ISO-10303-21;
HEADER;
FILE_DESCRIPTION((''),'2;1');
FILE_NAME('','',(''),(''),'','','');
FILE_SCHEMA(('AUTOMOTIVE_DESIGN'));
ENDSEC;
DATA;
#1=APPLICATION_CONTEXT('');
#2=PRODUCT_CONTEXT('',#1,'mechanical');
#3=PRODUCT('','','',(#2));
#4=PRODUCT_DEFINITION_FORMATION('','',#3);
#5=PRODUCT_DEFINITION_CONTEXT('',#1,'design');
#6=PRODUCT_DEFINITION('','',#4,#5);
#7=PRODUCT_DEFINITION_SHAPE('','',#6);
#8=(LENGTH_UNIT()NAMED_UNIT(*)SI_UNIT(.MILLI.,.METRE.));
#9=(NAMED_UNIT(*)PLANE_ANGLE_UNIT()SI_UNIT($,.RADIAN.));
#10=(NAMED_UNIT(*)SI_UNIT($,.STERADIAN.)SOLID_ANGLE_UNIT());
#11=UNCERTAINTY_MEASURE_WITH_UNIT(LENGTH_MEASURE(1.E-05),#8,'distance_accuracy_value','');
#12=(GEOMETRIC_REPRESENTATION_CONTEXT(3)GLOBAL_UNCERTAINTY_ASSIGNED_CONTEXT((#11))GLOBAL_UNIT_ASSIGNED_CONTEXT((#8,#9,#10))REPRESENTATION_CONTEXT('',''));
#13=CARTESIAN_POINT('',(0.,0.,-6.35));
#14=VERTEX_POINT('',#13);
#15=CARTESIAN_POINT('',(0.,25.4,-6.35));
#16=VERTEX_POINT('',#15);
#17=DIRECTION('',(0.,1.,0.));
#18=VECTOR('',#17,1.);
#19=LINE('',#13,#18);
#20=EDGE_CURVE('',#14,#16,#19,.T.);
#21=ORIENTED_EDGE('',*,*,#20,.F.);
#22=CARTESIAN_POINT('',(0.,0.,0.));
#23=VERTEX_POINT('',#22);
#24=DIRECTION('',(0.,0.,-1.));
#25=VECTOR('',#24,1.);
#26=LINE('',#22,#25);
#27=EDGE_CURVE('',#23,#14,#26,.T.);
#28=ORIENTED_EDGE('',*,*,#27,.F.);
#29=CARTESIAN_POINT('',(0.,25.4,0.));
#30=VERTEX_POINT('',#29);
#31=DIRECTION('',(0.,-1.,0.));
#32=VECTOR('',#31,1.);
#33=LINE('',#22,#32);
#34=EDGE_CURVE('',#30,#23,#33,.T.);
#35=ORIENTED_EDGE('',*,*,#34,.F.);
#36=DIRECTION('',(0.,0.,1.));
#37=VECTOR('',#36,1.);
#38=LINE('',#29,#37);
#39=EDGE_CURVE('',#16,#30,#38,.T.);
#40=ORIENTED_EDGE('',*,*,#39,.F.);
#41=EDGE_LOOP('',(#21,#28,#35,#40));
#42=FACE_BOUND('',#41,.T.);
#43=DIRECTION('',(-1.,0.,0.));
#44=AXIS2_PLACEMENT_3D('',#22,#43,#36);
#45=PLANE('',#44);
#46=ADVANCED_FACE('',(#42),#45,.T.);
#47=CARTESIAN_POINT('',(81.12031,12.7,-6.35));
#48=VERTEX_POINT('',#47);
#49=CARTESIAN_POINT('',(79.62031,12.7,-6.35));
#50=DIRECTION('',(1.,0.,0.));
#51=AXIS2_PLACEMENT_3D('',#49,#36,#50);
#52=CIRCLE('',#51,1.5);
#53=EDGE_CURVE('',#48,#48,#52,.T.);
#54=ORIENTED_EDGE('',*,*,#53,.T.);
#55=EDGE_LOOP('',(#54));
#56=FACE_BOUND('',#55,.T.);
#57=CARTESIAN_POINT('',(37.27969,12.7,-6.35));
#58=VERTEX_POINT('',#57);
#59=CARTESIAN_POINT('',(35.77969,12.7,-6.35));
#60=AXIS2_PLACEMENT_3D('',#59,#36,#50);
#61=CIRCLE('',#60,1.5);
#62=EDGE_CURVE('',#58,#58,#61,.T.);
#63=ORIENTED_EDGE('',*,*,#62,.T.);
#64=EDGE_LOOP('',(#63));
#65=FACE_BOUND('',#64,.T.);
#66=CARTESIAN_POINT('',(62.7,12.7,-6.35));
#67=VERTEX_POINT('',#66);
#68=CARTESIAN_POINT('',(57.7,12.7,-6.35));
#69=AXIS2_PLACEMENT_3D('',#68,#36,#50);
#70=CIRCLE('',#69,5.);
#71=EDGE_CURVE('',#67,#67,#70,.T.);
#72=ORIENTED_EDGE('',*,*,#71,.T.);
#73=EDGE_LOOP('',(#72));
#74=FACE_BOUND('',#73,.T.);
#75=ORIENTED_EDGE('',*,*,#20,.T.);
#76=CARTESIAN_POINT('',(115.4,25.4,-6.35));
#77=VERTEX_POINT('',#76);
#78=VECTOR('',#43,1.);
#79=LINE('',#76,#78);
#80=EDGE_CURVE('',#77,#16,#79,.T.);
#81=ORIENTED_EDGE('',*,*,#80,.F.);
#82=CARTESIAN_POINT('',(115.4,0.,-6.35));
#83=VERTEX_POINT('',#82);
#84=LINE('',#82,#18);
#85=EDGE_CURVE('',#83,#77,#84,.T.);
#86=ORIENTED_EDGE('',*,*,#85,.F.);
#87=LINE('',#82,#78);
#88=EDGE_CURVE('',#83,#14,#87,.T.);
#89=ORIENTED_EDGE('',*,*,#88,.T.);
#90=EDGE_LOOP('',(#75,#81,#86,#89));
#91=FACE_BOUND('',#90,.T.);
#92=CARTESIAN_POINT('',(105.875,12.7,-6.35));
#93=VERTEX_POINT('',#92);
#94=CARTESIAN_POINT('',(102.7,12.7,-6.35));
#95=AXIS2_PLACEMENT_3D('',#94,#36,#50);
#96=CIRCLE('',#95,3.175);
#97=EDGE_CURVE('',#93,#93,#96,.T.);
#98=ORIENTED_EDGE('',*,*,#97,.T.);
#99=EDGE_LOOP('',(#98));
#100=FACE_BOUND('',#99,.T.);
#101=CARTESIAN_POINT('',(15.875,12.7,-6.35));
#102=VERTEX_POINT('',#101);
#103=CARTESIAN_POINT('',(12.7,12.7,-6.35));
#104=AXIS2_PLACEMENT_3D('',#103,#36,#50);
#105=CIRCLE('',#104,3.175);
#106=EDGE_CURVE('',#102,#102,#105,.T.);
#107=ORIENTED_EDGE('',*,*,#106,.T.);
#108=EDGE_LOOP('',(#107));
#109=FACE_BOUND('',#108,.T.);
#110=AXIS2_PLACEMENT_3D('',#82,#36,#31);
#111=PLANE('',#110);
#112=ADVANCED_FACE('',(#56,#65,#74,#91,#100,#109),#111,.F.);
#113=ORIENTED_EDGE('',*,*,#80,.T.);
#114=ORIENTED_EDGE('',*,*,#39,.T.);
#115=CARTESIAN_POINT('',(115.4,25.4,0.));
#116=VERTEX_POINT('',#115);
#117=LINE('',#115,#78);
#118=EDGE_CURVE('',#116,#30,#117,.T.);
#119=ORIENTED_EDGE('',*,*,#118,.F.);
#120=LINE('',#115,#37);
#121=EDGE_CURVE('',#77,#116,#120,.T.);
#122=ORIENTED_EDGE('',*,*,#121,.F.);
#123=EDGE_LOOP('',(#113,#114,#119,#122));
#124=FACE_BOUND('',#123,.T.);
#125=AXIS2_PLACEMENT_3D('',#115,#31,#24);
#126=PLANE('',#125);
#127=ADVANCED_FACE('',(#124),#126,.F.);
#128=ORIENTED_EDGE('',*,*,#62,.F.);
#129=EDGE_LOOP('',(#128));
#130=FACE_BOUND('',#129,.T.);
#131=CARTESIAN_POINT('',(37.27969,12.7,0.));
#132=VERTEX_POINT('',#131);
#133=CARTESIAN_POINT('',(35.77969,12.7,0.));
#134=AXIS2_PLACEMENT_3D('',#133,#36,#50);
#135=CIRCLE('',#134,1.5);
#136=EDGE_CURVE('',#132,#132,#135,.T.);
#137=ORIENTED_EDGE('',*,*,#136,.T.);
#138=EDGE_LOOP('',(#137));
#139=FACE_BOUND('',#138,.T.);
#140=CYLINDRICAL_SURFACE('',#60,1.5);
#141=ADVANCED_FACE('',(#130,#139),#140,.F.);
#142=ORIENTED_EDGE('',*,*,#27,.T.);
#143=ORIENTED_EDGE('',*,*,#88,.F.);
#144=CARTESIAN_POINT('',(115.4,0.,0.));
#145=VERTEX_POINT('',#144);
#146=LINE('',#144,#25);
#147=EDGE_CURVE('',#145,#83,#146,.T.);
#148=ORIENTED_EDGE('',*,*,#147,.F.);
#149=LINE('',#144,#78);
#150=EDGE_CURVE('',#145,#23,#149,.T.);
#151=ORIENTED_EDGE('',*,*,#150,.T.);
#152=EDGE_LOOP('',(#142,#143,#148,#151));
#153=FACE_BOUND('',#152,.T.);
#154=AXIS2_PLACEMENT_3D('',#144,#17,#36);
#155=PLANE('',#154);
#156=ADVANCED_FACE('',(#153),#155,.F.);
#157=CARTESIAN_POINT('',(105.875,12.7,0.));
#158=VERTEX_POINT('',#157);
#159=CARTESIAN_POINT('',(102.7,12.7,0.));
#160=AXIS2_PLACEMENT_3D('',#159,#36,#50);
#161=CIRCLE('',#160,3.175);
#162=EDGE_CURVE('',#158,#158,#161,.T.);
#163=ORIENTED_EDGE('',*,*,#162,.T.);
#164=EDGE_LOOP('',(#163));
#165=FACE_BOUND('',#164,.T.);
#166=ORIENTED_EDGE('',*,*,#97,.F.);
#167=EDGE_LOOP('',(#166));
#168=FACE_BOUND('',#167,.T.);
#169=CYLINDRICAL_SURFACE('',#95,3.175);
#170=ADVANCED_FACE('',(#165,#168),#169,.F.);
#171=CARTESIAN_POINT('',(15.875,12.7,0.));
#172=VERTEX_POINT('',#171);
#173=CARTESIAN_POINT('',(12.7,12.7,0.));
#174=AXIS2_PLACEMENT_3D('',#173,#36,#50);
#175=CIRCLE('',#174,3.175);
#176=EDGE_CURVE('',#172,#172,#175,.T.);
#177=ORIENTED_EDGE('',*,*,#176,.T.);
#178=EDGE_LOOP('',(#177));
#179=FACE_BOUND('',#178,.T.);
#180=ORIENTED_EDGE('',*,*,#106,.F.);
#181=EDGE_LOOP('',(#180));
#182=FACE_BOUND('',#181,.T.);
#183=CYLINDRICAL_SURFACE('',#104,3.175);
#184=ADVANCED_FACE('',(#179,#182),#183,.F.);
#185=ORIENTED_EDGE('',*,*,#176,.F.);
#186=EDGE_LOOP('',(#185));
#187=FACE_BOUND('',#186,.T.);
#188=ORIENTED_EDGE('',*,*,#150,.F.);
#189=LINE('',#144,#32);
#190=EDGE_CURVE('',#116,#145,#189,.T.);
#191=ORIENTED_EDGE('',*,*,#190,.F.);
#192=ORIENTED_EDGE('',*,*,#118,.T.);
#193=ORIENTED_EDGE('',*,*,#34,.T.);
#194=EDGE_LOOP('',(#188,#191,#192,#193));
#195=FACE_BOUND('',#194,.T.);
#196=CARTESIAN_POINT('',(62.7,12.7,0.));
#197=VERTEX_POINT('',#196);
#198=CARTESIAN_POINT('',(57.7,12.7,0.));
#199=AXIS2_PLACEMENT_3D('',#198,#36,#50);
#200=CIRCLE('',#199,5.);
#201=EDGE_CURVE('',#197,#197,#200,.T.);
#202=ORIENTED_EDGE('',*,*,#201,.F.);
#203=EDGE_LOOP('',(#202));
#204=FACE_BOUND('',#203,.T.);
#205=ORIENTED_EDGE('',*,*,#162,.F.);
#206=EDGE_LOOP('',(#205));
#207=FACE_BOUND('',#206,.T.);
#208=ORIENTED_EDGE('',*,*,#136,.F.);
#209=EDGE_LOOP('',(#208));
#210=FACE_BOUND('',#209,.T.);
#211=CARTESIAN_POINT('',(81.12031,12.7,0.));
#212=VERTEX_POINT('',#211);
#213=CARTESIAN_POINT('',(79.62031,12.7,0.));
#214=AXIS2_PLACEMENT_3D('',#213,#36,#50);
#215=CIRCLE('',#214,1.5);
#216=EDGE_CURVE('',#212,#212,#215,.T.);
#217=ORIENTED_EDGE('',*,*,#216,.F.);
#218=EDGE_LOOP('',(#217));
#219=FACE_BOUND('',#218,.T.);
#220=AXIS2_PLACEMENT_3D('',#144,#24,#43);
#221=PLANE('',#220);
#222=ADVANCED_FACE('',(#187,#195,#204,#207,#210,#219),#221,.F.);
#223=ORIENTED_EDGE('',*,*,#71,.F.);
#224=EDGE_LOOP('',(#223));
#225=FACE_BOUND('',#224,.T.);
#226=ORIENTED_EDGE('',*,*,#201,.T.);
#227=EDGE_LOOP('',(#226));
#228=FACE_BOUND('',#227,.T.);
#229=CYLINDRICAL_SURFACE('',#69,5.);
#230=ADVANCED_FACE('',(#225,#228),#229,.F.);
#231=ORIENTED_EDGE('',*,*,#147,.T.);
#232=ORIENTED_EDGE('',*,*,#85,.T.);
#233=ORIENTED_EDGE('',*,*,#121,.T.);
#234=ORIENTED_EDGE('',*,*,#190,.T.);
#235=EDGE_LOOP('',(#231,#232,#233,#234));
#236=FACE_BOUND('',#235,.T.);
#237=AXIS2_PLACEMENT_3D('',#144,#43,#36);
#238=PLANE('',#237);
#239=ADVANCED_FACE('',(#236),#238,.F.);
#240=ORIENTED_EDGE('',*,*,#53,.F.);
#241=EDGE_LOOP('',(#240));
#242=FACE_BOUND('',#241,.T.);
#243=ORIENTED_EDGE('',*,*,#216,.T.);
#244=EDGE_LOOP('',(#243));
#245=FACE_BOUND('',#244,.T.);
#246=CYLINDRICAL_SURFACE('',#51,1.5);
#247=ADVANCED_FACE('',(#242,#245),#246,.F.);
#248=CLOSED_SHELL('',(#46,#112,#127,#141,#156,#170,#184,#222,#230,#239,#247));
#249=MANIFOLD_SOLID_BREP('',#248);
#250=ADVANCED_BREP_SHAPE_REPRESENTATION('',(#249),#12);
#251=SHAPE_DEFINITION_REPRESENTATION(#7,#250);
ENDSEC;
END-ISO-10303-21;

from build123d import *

# Parameters (mm, degrees)
SKETCH1_W           = 6.35
SKETCH1_H           = 25.4
BOSS_EXTRUDE1_DEPTH = 115.4
SKETCH2_R           = 5
SKETCH2_R_2         = 1.5
SKETCH2_R_3         = 3.175
CUT_EXTRUDE1_DEPTH  = 119.332761736


with BuildPart() as part:
    # Sketch1 → Boss-Extrude1 (new body)
    with BuildSketch(Plane(origin=(0, 0, 0), x_dir=(0, 0, -1), z_dir=(1, 0, 0))):
        with Locations((3.175, 12.7)):
            Rectangle(SKETCH1_W, SKETCH1_H)
    extrude(amount=BOSS_EXTRUDE1_DEPTH)

    # Sketch2 → Cut-Extrude1 (cut, through all)
    with BuildSketch(Plane.XY):
        with Locations((57.7, 12.7)):
            Circle(SKETCH2_R)
        with Locations((35.779689783, 12.7)):
            Circle(SKETCH2_R_2)
        with Locations((12.7, 12.7)):
            Circle(SKETCH2_R_3)
        with Locations((79.620310217, 12.7)):
            Circle(SKETCH2_R_2)
        with Locations((102.7, 12.7)):
            Circle(SKETCH2_R_3)
    extrude(amount=-CUT_EXTRUDE1_DEPTH, mode=Mode.SUBTRACT)


solid = part.part
